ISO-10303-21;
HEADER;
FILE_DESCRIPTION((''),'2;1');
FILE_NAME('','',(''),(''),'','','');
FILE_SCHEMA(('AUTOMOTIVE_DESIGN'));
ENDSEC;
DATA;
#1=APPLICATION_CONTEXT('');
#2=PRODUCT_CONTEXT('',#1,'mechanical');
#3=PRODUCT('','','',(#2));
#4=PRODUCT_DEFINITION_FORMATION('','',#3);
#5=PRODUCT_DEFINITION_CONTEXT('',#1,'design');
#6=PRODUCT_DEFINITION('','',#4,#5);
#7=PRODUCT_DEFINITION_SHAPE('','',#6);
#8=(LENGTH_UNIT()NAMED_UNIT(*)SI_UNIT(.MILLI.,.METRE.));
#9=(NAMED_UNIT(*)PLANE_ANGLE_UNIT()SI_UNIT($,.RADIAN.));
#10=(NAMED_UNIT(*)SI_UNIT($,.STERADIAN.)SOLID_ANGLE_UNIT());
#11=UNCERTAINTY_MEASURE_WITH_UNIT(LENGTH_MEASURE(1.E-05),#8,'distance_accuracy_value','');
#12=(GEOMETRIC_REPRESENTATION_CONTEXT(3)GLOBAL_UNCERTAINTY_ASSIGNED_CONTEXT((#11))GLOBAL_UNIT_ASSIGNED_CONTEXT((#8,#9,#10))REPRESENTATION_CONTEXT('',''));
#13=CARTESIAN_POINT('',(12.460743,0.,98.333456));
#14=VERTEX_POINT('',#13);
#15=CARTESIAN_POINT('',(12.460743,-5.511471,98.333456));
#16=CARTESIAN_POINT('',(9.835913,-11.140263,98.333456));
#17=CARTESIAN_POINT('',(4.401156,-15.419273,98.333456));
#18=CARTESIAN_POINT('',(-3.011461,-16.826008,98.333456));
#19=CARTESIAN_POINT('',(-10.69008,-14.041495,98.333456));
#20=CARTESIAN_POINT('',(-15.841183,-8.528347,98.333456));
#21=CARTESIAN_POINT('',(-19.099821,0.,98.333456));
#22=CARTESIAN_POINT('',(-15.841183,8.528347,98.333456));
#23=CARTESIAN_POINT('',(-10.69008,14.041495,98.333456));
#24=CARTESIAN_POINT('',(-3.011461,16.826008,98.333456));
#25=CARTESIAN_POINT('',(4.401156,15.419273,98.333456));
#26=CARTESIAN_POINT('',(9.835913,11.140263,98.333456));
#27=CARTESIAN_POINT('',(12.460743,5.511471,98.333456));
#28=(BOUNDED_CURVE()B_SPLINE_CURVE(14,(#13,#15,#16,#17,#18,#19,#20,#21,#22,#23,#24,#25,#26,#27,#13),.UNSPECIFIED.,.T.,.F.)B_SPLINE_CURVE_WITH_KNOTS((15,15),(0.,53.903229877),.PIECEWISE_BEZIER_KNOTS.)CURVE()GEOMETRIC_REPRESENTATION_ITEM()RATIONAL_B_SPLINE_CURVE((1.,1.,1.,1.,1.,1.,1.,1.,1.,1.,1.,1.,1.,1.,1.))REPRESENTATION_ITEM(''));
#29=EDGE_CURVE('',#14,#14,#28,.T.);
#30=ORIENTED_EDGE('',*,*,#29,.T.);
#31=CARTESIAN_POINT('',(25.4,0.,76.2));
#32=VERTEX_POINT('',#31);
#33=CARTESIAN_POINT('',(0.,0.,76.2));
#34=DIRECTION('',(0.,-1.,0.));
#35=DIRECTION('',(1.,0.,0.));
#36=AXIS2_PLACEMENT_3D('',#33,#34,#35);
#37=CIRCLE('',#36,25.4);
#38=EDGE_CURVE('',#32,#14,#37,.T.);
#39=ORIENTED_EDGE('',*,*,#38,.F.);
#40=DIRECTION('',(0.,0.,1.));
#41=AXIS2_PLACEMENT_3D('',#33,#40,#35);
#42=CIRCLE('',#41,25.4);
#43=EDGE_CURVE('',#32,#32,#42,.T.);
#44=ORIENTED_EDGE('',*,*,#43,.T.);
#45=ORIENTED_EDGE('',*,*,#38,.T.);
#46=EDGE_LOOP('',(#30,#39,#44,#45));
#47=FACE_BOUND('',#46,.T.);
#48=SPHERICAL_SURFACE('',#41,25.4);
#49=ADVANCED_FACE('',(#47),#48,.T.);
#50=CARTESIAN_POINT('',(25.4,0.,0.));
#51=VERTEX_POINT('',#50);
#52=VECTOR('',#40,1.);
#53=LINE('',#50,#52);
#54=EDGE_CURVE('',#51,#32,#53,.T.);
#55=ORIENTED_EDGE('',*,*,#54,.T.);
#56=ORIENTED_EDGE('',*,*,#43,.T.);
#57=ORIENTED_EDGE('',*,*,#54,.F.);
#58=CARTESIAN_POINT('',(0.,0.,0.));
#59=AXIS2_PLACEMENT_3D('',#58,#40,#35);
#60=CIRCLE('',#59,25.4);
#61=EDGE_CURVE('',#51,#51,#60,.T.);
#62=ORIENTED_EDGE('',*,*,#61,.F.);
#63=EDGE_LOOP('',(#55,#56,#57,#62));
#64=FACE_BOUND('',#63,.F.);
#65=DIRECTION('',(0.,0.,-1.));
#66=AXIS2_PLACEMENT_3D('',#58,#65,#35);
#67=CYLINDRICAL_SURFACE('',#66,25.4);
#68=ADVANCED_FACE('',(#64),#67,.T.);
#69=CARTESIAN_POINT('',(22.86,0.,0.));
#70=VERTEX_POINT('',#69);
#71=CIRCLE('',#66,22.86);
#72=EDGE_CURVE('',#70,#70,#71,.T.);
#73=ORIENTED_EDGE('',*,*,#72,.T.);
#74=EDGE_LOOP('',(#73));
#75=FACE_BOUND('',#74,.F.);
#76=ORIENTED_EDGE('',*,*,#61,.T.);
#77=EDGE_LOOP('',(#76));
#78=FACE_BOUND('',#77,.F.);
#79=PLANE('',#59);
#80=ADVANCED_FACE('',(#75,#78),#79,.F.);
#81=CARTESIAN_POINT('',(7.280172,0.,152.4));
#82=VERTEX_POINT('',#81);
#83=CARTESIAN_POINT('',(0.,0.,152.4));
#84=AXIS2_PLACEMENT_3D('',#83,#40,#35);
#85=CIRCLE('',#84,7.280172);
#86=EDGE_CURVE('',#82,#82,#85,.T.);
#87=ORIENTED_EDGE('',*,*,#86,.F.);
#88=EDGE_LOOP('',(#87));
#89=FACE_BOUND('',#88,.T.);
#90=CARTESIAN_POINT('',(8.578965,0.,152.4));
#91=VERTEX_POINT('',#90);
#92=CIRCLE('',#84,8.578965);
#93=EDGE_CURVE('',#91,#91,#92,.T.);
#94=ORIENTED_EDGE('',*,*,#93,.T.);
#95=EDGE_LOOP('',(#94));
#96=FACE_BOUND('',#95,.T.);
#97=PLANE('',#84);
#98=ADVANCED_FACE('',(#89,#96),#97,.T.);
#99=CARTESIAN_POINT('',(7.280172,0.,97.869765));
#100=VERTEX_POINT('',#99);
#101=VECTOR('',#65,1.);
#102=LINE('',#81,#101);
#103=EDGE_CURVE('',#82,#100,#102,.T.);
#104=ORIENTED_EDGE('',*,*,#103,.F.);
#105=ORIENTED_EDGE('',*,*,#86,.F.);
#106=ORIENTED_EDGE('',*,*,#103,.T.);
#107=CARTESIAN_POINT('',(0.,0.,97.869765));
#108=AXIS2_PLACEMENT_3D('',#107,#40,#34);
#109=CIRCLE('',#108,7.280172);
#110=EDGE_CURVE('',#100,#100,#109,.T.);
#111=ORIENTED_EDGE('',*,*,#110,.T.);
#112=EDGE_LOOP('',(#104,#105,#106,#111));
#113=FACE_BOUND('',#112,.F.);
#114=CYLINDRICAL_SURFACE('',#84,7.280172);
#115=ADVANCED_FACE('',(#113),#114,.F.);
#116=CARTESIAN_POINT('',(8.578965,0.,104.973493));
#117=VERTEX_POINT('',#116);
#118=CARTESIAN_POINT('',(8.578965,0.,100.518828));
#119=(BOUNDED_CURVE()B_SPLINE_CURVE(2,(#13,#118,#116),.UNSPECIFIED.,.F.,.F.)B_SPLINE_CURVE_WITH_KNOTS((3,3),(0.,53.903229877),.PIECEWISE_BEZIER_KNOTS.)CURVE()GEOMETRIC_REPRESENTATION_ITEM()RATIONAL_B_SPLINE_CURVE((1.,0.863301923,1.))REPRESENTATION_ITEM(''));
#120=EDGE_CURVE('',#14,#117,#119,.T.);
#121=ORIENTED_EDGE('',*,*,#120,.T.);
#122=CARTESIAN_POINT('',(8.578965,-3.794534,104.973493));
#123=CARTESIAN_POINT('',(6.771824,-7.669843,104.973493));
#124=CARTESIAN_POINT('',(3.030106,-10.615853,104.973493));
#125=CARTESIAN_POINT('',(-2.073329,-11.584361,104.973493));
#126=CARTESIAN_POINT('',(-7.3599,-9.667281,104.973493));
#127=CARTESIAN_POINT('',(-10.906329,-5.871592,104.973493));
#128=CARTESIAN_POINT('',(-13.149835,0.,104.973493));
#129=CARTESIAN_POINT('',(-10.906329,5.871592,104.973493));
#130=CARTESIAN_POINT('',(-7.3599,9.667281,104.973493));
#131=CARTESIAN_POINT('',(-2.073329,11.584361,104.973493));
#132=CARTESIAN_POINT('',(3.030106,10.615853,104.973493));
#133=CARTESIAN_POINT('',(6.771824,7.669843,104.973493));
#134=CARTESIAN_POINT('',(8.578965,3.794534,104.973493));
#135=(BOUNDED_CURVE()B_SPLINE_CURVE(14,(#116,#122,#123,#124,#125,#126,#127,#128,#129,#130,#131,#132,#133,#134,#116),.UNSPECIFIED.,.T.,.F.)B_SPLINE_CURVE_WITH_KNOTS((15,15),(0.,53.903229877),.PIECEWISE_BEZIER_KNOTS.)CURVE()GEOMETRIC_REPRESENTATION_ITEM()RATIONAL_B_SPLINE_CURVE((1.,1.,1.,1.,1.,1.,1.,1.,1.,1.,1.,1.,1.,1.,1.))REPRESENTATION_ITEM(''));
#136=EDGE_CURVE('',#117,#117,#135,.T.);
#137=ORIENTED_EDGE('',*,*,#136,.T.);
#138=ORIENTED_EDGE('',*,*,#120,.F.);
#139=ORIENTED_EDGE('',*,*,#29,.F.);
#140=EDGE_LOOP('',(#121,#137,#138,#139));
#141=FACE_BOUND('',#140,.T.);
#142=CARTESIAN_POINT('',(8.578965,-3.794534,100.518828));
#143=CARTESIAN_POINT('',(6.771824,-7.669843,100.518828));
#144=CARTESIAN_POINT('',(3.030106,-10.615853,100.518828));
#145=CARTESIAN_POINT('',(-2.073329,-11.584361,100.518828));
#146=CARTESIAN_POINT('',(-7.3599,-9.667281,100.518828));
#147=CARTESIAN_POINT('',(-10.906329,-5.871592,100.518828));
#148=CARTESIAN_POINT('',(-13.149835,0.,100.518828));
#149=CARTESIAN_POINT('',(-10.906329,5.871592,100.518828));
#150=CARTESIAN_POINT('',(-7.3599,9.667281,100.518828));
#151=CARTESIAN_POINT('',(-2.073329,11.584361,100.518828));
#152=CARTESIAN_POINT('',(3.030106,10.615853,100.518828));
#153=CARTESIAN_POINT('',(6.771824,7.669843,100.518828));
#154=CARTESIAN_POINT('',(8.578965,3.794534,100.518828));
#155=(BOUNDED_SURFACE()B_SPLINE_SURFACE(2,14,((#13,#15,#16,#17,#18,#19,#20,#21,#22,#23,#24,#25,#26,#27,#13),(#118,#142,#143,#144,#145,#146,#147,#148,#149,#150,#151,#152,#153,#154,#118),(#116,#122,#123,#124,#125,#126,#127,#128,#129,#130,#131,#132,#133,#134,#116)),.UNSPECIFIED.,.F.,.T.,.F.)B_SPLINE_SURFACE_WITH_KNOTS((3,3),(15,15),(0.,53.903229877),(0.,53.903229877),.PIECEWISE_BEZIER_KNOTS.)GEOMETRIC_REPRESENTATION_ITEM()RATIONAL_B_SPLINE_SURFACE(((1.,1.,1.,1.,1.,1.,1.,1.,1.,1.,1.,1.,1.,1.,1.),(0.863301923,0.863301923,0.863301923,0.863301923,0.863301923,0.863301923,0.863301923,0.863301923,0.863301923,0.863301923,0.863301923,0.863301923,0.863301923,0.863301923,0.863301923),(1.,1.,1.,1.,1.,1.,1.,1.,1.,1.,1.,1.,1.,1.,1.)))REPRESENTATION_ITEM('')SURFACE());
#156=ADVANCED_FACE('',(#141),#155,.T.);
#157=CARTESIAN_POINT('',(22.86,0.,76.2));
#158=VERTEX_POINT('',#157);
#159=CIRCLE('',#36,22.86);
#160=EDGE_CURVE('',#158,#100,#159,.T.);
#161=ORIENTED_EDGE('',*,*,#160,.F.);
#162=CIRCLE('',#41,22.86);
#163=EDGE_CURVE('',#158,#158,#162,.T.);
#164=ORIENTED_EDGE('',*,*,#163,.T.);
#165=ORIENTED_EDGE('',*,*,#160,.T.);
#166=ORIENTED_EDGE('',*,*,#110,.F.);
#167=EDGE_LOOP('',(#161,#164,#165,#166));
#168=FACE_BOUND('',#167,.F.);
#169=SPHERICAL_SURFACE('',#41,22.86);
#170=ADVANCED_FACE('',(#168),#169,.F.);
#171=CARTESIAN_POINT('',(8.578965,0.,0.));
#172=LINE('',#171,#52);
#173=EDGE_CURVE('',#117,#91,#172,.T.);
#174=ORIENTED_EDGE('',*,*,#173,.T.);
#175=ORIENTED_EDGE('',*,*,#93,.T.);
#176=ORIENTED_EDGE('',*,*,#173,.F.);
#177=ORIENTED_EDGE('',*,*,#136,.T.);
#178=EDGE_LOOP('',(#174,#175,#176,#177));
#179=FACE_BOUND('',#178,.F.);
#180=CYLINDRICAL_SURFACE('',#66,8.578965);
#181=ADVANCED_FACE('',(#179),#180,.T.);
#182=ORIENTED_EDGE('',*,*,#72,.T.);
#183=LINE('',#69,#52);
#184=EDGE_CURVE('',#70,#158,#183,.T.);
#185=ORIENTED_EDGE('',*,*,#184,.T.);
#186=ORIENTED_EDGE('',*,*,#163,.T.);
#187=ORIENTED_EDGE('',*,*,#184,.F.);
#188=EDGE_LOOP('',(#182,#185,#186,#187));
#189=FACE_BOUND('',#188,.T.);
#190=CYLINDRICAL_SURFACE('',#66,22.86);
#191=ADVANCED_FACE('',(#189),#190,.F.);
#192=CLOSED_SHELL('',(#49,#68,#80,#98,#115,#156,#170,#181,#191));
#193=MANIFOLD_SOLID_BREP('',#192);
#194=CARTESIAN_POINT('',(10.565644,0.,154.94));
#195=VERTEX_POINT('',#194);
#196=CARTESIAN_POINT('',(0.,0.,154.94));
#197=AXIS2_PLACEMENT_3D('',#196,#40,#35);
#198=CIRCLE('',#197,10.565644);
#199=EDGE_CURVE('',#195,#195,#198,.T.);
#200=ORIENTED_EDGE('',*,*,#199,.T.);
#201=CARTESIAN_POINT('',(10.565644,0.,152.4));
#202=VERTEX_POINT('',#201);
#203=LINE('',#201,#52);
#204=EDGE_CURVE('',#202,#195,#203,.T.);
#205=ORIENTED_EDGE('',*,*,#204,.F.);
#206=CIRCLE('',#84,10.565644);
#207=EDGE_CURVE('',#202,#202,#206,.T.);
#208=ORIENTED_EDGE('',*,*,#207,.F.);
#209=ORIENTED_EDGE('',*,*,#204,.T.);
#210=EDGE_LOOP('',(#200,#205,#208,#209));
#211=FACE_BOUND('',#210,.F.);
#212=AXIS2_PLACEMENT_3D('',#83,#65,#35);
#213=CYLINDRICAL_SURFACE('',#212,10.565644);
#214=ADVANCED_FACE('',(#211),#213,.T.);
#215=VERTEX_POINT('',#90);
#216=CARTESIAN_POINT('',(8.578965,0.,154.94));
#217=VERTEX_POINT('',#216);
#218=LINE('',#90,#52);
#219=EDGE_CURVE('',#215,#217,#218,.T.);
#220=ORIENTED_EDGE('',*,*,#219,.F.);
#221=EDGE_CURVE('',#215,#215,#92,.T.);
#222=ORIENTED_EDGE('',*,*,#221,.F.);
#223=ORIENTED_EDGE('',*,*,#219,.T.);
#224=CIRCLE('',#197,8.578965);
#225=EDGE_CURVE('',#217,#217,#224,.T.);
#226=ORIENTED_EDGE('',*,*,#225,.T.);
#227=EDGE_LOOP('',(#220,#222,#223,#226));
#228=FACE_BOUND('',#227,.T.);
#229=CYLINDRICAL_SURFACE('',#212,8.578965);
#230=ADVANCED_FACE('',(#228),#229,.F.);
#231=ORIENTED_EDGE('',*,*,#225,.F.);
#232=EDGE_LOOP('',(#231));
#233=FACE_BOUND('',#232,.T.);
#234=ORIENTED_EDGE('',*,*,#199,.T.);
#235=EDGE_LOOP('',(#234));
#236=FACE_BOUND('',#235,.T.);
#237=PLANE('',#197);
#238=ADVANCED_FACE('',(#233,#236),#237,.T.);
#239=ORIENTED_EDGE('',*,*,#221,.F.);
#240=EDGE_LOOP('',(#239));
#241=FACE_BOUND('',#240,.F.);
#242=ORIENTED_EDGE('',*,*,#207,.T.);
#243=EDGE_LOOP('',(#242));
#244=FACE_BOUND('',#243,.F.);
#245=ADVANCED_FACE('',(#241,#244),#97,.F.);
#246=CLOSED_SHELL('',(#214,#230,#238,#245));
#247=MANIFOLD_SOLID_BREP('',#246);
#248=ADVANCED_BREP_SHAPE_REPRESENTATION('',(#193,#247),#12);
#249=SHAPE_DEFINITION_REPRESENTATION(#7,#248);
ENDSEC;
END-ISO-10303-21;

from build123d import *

# Parameters (mm, degrees)
F0_R      = 25.4
F1_DEPTH  = 101.6
F2_R      = 25.4
F3_R      = 8.5789654835
F4_DEPTH  = 152.4
F5_T      = -2.54
F6_R      = 7.62
F7_R      = 10.5656442456
F7_R_2    = 8.5789654835
F8_DEPTH  = 2.54
F9_R      = 7.2801716461
F10_DEPTH = 76.2


with BuildPart() as f1:
    # F0 (on Top) → F1 (new body)
    with BuildSketch(Plane.XY):
        Circle(F0_R)
    extrude(amount=F1_DEPTH)

    # F2
    f2_edges = [f1.edges().sort_by_distance(p)[0] for p in [
        (-25.4, 0, 101.6),
    ]]
    fillet(f2_edges, radius=F2_R)

    # F3 (on Top) → F4 (join)
    with BuildSketch(Plane.XY):
        Circle(F3_R)
    extrude(amount=F4_DEPTH)

    # F5
    f5_openings = [f1.faces().sort_by_distance(p)[0] for p in [
        (0, 0, 0),
    ]]
    offset(amount=F5_T, openings=f5_openings, kind=Kind.INTERSECTION)

    # F6
    f6_edges = [f1.edges().sort_by_distance(p)[0] for p in [
        (-8.578965, 0, 100.107349),
    ]]
    fillet(f6_edges, radius=F6_R)

    # F9 (on face) → F10 (cut)
    with BuildSketch(Plane.XY.offset(152.4)):
        Circle(F9_R)
    extrude(amount=-F10_DEPTH, mode=Mode.SUBTRACT)


with BuildPart() as f8:
    # F7 (on face) → F8 (new body)
    with BuildSketch(Plane.XY.offset(152.4)):
        Circle(F7_R)
        Circle(F7_R_2, mode=Mode.SUBTRACT)
    extrude(amount=F8_DEPTH)


solid = Compound([f1.part, f8.part])
